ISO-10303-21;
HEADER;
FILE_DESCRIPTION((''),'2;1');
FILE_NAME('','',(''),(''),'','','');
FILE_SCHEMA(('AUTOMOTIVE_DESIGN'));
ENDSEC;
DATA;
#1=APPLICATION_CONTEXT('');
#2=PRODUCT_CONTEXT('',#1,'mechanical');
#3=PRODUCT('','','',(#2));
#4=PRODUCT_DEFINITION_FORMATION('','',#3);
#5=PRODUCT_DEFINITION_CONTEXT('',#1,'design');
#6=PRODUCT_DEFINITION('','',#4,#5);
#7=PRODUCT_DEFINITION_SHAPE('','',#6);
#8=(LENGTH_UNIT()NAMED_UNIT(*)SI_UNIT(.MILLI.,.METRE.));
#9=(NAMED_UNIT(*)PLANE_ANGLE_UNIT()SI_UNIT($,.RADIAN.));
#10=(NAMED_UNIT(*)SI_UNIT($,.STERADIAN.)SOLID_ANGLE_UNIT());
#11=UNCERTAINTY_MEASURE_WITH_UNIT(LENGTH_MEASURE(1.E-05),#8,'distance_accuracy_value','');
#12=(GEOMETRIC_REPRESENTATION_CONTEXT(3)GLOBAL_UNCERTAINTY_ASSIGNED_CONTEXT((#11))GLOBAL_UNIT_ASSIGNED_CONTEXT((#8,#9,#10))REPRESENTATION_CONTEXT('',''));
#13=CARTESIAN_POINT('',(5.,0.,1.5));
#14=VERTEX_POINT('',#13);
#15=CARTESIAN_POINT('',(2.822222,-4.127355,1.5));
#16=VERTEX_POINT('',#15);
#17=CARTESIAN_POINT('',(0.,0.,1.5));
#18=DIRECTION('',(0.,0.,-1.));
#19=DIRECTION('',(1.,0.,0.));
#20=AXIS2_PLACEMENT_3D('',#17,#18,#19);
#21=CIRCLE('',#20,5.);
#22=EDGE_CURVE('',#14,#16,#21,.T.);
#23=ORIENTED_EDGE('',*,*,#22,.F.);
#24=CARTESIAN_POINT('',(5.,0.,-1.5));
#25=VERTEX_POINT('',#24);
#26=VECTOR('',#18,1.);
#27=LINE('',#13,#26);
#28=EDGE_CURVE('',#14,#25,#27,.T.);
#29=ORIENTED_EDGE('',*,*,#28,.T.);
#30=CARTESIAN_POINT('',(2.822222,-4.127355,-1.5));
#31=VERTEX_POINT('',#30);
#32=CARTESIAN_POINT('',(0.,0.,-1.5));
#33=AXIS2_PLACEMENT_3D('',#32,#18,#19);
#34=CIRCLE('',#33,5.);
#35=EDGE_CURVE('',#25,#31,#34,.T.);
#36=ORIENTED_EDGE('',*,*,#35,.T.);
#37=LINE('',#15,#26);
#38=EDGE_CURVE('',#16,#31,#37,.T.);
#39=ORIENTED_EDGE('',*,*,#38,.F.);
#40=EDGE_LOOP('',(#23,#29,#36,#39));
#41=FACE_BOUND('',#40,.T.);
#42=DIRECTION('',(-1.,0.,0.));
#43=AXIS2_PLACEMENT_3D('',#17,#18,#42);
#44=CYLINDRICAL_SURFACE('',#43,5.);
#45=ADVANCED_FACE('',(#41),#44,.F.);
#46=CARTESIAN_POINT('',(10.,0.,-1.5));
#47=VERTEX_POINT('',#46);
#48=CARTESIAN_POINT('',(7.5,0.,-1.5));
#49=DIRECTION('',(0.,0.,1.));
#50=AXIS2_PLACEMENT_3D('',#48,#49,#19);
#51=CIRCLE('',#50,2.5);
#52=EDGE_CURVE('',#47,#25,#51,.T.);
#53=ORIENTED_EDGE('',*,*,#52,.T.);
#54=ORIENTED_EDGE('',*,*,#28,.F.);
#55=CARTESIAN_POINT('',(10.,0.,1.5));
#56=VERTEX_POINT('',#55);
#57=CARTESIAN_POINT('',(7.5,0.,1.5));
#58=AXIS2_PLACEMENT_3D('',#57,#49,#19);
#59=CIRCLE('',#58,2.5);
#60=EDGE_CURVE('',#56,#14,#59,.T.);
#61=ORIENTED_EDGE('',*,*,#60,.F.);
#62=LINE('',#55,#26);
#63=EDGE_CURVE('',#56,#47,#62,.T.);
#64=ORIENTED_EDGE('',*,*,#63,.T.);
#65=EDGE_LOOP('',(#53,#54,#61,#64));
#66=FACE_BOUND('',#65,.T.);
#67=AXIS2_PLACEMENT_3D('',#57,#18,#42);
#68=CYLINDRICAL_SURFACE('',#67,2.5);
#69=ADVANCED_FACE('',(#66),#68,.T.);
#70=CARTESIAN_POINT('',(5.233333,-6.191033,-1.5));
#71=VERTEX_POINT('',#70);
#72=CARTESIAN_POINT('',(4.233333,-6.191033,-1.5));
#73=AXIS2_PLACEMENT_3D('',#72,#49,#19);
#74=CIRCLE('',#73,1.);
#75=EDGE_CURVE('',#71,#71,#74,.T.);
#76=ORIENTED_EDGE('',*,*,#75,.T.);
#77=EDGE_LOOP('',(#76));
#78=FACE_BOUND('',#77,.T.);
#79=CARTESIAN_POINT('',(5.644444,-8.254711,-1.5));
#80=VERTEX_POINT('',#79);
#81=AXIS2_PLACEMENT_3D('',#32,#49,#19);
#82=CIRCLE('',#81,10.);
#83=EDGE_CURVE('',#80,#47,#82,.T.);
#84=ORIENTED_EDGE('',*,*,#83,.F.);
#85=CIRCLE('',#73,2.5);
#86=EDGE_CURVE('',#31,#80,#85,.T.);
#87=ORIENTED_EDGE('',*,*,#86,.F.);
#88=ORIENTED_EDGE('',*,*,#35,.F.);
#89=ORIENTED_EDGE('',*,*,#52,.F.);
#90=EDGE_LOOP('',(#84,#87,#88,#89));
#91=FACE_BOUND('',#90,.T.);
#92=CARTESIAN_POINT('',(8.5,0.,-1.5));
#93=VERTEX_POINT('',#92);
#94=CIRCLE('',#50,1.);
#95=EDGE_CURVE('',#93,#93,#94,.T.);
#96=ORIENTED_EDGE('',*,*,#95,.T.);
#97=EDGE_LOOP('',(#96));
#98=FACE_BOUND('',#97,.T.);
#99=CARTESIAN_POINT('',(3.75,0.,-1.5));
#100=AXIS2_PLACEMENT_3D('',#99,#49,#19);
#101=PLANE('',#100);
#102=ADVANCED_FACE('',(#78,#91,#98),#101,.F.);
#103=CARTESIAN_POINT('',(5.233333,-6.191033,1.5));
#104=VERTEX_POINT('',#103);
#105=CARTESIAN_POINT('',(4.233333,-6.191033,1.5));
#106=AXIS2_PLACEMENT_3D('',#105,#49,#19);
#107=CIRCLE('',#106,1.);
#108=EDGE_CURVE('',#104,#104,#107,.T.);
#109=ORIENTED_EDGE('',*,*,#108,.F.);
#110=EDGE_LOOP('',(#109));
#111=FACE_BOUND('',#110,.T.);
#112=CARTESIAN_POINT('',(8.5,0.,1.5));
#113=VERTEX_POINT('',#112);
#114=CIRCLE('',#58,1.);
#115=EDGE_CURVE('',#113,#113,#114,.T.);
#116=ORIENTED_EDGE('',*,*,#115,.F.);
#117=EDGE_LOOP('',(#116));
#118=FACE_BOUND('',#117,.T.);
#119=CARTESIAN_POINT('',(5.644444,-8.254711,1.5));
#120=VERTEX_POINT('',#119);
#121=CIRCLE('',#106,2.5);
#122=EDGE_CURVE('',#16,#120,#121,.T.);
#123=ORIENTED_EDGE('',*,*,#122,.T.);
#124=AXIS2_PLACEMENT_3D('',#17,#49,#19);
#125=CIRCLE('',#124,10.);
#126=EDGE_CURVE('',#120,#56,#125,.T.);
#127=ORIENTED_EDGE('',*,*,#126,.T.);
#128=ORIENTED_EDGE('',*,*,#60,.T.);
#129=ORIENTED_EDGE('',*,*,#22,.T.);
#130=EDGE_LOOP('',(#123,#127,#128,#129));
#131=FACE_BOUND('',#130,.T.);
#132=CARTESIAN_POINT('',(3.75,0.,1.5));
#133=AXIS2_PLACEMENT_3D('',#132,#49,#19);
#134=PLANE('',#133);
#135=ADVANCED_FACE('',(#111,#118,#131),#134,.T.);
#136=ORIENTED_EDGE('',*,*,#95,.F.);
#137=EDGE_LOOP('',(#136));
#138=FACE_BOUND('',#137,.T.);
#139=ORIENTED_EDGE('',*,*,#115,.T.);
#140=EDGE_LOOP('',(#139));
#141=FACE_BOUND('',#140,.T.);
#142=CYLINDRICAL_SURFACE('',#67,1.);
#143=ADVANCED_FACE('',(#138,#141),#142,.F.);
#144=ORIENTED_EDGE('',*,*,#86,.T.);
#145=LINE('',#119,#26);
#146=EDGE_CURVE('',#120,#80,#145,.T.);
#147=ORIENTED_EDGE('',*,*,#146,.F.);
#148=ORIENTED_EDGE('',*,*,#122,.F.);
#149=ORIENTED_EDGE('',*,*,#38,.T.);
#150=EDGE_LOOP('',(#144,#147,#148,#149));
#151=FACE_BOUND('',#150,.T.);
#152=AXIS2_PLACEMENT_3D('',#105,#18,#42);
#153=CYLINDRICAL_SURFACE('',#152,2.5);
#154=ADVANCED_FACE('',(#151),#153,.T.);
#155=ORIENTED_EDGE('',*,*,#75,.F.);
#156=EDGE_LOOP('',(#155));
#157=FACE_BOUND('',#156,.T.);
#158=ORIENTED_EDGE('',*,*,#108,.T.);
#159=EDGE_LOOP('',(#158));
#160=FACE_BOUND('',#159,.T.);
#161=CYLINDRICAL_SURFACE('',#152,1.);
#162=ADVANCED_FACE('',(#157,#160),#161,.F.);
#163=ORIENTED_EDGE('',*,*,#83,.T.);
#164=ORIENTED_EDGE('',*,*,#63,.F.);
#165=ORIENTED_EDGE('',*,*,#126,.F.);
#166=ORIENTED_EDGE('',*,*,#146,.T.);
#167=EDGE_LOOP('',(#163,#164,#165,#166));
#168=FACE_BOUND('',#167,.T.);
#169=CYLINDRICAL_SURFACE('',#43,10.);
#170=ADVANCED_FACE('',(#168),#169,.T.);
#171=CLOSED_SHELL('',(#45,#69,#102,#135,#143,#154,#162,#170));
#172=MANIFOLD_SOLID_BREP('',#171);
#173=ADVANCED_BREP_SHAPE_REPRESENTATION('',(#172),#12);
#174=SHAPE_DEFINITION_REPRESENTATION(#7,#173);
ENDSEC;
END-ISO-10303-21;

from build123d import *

# Parameters (mm, degrees)
SKETCH1_R           = 1
BOSS_EXTRUDE1_DEPTH = 1.5


with BuildPart() as part:
    # Sketch1 → Boss-Extrude1 (new, symmetric)
    with BuildSketch(Plane.XY):
        with BuildLine():
            ThreePointArc((5.644444444, -8.254710589), (8.844332774, -4.666666667), (10, 0))
            ThreePointArc((10, 0), (7.5, 2.5), (5, 0))
            ThreePointArc((5, 0), (4.422166387, -2.333333333), (2.822222222, -4.127355295))
            ThreePointArc((2.822222222, -4.127355295), (2.169655686, -7.602144053), (5.644444444, -8.254710589))
        make_face()
        with Locations((4.233333333, -6.191032942)):
            Circle(SKETCH1_R, mode=Mode.SUBTRACT)
        with Locations((7.5, 0)):
            Circle(SKETCH1_R, mode=Mode.SUBTRACT)
    extrude(amount=BOSS_EXTRUDE1_DEPTH, both=True)


solid = part.part
